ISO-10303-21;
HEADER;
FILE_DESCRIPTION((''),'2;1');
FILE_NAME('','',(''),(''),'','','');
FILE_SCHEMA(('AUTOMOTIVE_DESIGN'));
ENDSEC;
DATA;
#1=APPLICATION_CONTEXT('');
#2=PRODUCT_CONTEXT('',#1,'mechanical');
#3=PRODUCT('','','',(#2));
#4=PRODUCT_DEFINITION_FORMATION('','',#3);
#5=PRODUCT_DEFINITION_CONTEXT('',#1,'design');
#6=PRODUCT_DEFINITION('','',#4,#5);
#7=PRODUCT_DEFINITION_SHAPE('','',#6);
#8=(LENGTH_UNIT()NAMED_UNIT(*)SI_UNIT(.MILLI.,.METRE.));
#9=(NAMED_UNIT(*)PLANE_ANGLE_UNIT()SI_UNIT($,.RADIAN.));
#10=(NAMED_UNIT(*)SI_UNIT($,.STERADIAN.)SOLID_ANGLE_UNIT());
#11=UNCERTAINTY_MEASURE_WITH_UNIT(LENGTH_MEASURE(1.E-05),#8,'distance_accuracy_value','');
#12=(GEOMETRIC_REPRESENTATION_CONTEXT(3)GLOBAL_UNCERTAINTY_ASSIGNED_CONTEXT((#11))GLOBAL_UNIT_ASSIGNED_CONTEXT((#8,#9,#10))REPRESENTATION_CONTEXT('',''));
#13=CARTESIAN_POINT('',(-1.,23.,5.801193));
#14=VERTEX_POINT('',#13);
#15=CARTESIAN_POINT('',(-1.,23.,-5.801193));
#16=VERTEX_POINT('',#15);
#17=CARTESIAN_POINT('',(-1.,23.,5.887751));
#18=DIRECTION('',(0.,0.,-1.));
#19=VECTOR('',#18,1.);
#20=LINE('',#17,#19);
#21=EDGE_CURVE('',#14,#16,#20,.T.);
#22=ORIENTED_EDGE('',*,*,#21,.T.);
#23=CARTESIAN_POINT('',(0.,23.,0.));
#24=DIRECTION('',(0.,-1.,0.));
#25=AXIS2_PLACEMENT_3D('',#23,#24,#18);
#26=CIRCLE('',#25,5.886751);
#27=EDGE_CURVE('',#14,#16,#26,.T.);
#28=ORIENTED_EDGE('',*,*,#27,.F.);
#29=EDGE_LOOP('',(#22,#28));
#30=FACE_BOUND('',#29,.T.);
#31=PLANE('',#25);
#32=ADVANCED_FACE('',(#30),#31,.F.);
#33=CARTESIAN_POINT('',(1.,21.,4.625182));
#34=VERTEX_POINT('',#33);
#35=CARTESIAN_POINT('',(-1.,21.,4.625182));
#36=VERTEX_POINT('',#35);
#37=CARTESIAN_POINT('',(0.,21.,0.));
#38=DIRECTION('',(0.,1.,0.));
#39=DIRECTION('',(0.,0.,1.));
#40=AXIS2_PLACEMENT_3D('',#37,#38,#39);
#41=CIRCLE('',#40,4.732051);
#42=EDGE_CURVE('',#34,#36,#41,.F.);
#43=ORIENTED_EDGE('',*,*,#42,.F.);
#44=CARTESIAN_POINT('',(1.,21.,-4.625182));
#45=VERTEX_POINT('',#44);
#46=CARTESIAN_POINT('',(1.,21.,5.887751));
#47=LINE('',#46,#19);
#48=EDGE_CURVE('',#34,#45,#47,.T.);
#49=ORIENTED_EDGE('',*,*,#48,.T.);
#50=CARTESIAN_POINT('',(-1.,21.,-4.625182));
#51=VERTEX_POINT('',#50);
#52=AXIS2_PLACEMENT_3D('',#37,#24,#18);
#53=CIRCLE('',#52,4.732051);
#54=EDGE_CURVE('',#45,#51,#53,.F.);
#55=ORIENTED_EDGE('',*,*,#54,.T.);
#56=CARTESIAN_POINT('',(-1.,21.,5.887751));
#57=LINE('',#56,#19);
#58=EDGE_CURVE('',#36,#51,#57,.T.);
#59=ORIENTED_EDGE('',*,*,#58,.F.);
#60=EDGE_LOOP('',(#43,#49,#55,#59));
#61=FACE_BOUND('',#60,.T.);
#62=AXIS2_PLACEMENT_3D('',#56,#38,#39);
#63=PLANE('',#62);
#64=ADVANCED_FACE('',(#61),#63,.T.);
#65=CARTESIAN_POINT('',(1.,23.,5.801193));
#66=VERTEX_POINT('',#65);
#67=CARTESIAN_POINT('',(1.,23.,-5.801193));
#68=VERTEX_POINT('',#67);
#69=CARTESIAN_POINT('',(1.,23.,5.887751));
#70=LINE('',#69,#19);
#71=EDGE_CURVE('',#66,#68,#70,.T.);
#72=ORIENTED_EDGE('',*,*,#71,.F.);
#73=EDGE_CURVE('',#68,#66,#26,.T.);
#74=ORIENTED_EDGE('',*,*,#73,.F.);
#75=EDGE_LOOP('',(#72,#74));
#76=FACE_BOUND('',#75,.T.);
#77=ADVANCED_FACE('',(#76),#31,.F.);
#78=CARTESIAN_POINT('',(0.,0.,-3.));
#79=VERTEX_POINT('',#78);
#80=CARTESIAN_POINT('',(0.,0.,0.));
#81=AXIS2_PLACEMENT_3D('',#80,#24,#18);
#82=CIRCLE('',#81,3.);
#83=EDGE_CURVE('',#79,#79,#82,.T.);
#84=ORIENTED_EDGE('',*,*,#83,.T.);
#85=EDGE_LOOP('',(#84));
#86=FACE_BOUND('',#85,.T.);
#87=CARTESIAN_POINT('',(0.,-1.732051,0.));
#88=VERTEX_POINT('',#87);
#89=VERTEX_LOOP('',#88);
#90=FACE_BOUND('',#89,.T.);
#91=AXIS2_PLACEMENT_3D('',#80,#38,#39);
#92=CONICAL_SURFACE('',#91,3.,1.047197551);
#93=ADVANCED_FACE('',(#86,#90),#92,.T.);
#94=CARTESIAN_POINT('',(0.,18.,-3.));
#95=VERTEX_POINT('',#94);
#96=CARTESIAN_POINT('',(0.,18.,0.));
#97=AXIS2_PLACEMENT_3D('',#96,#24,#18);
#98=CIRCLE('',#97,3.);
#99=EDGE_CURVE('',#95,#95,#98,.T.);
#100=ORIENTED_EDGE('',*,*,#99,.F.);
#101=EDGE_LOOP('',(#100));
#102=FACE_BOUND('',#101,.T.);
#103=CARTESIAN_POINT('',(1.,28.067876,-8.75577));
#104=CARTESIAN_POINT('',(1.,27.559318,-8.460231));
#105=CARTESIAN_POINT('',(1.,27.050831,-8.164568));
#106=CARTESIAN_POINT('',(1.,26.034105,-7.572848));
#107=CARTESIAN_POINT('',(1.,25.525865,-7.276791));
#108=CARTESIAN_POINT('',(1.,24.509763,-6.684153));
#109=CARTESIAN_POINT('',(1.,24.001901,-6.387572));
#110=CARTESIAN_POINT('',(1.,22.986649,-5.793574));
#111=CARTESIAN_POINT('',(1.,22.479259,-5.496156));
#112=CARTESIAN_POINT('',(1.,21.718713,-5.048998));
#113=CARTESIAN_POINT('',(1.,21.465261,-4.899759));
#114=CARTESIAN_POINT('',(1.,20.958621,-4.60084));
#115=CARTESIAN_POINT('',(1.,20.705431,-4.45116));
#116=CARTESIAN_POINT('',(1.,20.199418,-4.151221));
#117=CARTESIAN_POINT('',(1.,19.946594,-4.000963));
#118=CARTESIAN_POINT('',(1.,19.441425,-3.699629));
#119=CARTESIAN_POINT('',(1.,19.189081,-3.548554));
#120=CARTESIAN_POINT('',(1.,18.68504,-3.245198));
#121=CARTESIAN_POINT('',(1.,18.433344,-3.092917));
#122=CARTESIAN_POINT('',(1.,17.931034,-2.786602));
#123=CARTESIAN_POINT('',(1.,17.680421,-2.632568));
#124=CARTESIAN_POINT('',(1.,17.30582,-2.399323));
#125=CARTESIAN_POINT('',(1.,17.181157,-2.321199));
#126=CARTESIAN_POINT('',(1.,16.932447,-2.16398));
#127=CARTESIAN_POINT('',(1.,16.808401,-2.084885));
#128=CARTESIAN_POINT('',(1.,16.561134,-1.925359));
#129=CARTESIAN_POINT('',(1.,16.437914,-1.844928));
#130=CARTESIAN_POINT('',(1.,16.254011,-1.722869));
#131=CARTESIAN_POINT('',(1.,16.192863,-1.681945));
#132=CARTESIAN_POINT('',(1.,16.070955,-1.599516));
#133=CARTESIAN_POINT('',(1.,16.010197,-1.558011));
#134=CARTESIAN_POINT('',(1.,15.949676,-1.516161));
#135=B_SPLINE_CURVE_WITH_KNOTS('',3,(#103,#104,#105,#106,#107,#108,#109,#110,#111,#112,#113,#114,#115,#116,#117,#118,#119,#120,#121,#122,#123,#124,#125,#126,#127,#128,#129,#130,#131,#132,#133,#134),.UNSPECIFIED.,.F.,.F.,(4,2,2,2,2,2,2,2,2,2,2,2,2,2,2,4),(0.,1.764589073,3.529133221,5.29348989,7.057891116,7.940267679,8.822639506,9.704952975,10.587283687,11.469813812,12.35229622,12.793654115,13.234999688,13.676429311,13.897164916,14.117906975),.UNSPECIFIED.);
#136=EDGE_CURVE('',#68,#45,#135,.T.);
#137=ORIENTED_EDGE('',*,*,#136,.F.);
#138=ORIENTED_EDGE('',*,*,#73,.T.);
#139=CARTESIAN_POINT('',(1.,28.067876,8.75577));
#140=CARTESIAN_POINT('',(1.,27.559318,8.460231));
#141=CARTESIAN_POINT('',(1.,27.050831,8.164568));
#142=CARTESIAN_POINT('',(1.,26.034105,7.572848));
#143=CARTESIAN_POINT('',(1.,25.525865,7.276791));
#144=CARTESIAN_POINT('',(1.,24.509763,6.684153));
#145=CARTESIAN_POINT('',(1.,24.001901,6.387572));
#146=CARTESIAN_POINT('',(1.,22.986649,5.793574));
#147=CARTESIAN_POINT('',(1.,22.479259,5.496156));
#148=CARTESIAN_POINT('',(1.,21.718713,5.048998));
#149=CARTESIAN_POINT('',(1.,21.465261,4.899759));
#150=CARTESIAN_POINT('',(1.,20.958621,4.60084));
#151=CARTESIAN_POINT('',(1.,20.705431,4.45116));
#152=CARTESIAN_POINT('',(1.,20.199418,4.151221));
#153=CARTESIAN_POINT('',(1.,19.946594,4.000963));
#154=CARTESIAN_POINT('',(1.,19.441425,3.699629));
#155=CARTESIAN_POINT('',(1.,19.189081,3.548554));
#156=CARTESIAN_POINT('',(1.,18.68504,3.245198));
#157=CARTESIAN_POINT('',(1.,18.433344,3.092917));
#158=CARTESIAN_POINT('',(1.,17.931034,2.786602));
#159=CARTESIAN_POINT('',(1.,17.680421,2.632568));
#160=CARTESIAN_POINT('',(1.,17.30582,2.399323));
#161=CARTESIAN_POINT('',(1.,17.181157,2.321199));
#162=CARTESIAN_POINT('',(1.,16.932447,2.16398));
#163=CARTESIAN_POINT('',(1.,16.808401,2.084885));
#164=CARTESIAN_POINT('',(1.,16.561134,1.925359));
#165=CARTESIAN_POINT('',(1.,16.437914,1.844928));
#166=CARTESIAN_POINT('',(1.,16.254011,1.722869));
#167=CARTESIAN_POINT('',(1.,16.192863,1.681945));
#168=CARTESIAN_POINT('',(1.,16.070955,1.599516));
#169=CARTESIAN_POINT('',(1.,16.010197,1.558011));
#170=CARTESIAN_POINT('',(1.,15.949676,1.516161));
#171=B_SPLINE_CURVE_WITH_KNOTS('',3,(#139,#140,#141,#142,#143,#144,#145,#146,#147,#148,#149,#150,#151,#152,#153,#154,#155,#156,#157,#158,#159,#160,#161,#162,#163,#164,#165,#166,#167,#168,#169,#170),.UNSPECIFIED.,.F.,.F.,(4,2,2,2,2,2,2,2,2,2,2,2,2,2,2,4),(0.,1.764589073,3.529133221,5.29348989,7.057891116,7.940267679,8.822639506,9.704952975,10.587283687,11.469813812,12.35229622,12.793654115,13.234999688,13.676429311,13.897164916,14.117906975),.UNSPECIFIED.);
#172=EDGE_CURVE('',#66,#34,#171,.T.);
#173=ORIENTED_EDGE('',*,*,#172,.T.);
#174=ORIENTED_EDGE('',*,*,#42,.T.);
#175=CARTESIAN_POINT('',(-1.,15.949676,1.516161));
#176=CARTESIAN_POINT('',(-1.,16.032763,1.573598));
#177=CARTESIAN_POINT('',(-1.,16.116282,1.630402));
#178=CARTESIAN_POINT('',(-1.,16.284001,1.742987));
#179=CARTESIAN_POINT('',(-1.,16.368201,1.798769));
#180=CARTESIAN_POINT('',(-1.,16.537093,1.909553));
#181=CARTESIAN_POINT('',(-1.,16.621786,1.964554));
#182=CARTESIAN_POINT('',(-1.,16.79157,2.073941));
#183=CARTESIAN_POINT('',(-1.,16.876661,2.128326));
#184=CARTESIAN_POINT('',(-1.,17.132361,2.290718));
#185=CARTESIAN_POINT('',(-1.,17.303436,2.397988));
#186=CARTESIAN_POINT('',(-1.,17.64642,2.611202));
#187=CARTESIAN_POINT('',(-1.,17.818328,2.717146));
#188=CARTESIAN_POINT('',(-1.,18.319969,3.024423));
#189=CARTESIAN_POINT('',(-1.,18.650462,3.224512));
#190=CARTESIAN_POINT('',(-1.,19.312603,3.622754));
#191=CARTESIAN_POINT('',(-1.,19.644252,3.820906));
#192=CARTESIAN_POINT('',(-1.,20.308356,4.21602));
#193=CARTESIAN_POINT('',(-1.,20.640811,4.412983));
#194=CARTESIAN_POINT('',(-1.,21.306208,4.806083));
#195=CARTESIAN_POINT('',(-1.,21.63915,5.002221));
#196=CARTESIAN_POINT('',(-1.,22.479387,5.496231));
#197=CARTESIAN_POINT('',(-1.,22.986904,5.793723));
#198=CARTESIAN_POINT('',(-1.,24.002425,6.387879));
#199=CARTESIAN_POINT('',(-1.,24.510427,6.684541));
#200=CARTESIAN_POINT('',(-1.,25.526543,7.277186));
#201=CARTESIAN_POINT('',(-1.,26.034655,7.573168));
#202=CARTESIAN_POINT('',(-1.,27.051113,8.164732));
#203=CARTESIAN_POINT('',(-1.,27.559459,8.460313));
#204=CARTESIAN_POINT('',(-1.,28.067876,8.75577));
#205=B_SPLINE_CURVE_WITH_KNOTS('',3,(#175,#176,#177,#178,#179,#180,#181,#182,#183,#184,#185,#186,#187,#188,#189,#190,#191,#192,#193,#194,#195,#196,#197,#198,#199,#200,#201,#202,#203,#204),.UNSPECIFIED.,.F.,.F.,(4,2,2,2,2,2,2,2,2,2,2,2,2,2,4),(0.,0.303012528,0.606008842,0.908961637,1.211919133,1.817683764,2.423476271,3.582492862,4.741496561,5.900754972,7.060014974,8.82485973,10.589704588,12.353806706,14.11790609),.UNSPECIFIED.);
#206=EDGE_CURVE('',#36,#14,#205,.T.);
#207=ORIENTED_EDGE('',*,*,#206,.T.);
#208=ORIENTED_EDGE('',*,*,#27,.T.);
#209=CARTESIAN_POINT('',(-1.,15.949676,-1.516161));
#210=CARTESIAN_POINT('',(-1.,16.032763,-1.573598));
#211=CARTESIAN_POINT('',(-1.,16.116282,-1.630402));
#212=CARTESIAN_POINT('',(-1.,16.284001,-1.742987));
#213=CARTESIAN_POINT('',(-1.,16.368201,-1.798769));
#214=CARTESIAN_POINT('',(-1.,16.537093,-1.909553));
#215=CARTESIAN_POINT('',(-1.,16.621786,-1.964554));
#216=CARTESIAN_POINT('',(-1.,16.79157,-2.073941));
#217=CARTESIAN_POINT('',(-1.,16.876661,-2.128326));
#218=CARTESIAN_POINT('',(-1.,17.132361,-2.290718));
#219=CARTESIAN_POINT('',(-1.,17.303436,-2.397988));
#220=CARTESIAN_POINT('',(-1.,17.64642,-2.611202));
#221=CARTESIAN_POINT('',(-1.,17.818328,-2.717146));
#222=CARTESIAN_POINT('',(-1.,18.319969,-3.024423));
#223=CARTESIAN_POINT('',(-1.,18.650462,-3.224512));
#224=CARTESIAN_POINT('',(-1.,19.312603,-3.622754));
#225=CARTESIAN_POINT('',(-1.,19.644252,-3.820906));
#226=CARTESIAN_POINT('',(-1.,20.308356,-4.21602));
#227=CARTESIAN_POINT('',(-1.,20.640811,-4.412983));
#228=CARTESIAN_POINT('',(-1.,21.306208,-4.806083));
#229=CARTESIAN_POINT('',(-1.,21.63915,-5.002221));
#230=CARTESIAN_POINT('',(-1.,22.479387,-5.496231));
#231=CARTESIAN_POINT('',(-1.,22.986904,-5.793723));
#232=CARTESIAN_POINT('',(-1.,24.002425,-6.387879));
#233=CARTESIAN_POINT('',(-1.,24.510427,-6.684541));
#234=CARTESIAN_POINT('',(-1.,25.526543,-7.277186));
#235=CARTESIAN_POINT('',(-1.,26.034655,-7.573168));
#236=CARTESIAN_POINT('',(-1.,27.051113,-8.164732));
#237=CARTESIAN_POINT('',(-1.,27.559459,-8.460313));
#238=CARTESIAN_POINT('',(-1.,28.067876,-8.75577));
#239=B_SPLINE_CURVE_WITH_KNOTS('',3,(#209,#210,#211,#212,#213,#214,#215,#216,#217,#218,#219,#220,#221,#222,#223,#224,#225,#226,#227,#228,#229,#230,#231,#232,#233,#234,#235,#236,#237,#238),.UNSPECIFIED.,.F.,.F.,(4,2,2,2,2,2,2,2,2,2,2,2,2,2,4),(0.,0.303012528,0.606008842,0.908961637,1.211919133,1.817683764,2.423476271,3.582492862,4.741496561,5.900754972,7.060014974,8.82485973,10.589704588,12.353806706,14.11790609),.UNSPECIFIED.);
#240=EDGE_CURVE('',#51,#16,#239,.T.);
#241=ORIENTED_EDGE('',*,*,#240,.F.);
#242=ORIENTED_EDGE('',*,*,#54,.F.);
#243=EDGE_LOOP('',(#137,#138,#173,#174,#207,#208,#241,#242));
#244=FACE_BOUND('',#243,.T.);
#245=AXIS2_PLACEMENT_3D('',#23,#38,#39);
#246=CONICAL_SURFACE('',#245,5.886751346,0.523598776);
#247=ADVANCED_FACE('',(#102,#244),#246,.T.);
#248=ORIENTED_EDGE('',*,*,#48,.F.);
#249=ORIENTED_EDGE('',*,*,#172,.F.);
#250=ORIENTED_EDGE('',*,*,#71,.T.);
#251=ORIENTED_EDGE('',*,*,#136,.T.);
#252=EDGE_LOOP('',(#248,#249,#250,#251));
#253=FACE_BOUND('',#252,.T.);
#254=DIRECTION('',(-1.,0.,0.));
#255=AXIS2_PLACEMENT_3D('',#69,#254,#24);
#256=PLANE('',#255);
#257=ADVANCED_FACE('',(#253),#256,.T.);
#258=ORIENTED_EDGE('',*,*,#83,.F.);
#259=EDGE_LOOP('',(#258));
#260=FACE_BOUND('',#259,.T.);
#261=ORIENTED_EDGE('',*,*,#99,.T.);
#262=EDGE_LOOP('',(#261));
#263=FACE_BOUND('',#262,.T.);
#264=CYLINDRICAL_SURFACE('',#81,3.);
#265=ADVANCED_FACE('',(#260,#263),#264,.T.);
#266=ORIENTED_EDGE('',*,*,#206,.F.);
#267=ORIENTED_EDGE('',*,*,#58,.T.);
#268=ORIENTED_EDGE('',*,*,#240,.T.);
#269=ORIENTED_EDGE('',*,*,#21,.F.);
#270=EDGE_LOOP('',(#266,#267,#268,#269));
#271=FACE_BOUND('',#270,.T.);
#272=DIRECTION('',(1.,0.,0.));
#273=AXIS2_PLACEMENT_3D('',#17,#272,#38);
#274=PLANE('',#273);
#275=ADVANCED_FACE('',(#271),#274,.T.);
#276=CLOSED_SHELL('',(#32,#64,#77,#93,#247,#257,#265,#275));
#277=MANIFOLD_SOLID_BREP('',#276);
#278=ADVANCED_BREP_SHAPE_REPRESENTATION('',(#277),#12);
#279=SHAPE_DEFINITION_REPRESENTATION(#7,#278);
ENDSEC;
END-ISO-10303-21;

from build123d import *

# Parameters (mm, degrees)
EXTRUDE1_REACH             = 26.46
SKETCH2_W                  = 2
SKETCH2_H                  = 2
EXTRUDE1_DIRECTION_2_REACH = 26.46


with BuildPart() as part:
    # Sketch1 → Revolve1 (revolve)
    with BuildSketch(Plane.XY, mode=Mode.PRIVATE) as revolve1_sk:
        Polygon((-3, 0), (-3, 18), (-5.886751346, 23), (0, 23), (0, 0), (0, -1.732050808), align=None)
    revolve(revolve1_sk.sketch.rotate(Axis((0, 0, 0), (0, 1, 0)), 270), axis=Axis((0, 0, 0), (0, 1, 0)))

    # Extrude1: up to this cone (the profile starts inside it)
    extrude1_end = Plane(origin=(0, 22, 0), z_dir=(0, 1, 0)).offset(-9.196151423) * Cone(1e-06, 23.940148475, 41.465552499, align=(Align.CENTER, Align.CENTER, Align.MIN), mode=Mode.PRIVATE)
    # Sketch2 → Extrude1 (cut, up to the surface)
    with BuildSketch(Plane.XY, mode=Mode.PRIVATE) as extrude1_sk1:
        with Locations((0, 22)):
            Rectangle(SKETCH2_W, SKETCH2_H)
    extrude1_tool1 = extrude(extrude1_sk1.sketch, amount=-EXTRUDE1_REACH, mode=Mode.PRIVATE) & extrude1_end
    add(extrude1_tool1.solids().sort_by_distance((0, 22, 0))[0], mode=Mode.SUBTRACT)

    # Extrude1 direction 2: up to this cone (the profile starts inside it)
    extrude1_direction_2_end = Plane(origin=(0, 22, 0), z_dir=(0, 1, 0)).offset(-9.196151423) * Cone(1e-06, 23.940148475, 41.465552499, align=(Align.CENTER, Align.CENTER, Align.MIN), mode=Mode.PRIVATE)
    # Sketch2 → Extrude1 direction 2 (cut, up to the surface)
    with BuildSketch(Plane.XY, mode=Mode.PRIVATE) as extrude1_direction_2_sk1:
        with Locations((0, 22)):
            Rectangle(SKETCH2_W, SKETCH2_H)
    extrude1_direction_2_tool1 = extrude(extrude1_direction_2_sk1.sketch, amount=EXTRUDE1_DIRECTION_2_REACH, mode=Mode.PRIVATE) & extrude1_direction_2_end
    add(extrude1_direction_2_tool1.solids().sort_by_distance((0, 22, 0))[0], mode=Mode.SUBTRACT)


solid = part.part
